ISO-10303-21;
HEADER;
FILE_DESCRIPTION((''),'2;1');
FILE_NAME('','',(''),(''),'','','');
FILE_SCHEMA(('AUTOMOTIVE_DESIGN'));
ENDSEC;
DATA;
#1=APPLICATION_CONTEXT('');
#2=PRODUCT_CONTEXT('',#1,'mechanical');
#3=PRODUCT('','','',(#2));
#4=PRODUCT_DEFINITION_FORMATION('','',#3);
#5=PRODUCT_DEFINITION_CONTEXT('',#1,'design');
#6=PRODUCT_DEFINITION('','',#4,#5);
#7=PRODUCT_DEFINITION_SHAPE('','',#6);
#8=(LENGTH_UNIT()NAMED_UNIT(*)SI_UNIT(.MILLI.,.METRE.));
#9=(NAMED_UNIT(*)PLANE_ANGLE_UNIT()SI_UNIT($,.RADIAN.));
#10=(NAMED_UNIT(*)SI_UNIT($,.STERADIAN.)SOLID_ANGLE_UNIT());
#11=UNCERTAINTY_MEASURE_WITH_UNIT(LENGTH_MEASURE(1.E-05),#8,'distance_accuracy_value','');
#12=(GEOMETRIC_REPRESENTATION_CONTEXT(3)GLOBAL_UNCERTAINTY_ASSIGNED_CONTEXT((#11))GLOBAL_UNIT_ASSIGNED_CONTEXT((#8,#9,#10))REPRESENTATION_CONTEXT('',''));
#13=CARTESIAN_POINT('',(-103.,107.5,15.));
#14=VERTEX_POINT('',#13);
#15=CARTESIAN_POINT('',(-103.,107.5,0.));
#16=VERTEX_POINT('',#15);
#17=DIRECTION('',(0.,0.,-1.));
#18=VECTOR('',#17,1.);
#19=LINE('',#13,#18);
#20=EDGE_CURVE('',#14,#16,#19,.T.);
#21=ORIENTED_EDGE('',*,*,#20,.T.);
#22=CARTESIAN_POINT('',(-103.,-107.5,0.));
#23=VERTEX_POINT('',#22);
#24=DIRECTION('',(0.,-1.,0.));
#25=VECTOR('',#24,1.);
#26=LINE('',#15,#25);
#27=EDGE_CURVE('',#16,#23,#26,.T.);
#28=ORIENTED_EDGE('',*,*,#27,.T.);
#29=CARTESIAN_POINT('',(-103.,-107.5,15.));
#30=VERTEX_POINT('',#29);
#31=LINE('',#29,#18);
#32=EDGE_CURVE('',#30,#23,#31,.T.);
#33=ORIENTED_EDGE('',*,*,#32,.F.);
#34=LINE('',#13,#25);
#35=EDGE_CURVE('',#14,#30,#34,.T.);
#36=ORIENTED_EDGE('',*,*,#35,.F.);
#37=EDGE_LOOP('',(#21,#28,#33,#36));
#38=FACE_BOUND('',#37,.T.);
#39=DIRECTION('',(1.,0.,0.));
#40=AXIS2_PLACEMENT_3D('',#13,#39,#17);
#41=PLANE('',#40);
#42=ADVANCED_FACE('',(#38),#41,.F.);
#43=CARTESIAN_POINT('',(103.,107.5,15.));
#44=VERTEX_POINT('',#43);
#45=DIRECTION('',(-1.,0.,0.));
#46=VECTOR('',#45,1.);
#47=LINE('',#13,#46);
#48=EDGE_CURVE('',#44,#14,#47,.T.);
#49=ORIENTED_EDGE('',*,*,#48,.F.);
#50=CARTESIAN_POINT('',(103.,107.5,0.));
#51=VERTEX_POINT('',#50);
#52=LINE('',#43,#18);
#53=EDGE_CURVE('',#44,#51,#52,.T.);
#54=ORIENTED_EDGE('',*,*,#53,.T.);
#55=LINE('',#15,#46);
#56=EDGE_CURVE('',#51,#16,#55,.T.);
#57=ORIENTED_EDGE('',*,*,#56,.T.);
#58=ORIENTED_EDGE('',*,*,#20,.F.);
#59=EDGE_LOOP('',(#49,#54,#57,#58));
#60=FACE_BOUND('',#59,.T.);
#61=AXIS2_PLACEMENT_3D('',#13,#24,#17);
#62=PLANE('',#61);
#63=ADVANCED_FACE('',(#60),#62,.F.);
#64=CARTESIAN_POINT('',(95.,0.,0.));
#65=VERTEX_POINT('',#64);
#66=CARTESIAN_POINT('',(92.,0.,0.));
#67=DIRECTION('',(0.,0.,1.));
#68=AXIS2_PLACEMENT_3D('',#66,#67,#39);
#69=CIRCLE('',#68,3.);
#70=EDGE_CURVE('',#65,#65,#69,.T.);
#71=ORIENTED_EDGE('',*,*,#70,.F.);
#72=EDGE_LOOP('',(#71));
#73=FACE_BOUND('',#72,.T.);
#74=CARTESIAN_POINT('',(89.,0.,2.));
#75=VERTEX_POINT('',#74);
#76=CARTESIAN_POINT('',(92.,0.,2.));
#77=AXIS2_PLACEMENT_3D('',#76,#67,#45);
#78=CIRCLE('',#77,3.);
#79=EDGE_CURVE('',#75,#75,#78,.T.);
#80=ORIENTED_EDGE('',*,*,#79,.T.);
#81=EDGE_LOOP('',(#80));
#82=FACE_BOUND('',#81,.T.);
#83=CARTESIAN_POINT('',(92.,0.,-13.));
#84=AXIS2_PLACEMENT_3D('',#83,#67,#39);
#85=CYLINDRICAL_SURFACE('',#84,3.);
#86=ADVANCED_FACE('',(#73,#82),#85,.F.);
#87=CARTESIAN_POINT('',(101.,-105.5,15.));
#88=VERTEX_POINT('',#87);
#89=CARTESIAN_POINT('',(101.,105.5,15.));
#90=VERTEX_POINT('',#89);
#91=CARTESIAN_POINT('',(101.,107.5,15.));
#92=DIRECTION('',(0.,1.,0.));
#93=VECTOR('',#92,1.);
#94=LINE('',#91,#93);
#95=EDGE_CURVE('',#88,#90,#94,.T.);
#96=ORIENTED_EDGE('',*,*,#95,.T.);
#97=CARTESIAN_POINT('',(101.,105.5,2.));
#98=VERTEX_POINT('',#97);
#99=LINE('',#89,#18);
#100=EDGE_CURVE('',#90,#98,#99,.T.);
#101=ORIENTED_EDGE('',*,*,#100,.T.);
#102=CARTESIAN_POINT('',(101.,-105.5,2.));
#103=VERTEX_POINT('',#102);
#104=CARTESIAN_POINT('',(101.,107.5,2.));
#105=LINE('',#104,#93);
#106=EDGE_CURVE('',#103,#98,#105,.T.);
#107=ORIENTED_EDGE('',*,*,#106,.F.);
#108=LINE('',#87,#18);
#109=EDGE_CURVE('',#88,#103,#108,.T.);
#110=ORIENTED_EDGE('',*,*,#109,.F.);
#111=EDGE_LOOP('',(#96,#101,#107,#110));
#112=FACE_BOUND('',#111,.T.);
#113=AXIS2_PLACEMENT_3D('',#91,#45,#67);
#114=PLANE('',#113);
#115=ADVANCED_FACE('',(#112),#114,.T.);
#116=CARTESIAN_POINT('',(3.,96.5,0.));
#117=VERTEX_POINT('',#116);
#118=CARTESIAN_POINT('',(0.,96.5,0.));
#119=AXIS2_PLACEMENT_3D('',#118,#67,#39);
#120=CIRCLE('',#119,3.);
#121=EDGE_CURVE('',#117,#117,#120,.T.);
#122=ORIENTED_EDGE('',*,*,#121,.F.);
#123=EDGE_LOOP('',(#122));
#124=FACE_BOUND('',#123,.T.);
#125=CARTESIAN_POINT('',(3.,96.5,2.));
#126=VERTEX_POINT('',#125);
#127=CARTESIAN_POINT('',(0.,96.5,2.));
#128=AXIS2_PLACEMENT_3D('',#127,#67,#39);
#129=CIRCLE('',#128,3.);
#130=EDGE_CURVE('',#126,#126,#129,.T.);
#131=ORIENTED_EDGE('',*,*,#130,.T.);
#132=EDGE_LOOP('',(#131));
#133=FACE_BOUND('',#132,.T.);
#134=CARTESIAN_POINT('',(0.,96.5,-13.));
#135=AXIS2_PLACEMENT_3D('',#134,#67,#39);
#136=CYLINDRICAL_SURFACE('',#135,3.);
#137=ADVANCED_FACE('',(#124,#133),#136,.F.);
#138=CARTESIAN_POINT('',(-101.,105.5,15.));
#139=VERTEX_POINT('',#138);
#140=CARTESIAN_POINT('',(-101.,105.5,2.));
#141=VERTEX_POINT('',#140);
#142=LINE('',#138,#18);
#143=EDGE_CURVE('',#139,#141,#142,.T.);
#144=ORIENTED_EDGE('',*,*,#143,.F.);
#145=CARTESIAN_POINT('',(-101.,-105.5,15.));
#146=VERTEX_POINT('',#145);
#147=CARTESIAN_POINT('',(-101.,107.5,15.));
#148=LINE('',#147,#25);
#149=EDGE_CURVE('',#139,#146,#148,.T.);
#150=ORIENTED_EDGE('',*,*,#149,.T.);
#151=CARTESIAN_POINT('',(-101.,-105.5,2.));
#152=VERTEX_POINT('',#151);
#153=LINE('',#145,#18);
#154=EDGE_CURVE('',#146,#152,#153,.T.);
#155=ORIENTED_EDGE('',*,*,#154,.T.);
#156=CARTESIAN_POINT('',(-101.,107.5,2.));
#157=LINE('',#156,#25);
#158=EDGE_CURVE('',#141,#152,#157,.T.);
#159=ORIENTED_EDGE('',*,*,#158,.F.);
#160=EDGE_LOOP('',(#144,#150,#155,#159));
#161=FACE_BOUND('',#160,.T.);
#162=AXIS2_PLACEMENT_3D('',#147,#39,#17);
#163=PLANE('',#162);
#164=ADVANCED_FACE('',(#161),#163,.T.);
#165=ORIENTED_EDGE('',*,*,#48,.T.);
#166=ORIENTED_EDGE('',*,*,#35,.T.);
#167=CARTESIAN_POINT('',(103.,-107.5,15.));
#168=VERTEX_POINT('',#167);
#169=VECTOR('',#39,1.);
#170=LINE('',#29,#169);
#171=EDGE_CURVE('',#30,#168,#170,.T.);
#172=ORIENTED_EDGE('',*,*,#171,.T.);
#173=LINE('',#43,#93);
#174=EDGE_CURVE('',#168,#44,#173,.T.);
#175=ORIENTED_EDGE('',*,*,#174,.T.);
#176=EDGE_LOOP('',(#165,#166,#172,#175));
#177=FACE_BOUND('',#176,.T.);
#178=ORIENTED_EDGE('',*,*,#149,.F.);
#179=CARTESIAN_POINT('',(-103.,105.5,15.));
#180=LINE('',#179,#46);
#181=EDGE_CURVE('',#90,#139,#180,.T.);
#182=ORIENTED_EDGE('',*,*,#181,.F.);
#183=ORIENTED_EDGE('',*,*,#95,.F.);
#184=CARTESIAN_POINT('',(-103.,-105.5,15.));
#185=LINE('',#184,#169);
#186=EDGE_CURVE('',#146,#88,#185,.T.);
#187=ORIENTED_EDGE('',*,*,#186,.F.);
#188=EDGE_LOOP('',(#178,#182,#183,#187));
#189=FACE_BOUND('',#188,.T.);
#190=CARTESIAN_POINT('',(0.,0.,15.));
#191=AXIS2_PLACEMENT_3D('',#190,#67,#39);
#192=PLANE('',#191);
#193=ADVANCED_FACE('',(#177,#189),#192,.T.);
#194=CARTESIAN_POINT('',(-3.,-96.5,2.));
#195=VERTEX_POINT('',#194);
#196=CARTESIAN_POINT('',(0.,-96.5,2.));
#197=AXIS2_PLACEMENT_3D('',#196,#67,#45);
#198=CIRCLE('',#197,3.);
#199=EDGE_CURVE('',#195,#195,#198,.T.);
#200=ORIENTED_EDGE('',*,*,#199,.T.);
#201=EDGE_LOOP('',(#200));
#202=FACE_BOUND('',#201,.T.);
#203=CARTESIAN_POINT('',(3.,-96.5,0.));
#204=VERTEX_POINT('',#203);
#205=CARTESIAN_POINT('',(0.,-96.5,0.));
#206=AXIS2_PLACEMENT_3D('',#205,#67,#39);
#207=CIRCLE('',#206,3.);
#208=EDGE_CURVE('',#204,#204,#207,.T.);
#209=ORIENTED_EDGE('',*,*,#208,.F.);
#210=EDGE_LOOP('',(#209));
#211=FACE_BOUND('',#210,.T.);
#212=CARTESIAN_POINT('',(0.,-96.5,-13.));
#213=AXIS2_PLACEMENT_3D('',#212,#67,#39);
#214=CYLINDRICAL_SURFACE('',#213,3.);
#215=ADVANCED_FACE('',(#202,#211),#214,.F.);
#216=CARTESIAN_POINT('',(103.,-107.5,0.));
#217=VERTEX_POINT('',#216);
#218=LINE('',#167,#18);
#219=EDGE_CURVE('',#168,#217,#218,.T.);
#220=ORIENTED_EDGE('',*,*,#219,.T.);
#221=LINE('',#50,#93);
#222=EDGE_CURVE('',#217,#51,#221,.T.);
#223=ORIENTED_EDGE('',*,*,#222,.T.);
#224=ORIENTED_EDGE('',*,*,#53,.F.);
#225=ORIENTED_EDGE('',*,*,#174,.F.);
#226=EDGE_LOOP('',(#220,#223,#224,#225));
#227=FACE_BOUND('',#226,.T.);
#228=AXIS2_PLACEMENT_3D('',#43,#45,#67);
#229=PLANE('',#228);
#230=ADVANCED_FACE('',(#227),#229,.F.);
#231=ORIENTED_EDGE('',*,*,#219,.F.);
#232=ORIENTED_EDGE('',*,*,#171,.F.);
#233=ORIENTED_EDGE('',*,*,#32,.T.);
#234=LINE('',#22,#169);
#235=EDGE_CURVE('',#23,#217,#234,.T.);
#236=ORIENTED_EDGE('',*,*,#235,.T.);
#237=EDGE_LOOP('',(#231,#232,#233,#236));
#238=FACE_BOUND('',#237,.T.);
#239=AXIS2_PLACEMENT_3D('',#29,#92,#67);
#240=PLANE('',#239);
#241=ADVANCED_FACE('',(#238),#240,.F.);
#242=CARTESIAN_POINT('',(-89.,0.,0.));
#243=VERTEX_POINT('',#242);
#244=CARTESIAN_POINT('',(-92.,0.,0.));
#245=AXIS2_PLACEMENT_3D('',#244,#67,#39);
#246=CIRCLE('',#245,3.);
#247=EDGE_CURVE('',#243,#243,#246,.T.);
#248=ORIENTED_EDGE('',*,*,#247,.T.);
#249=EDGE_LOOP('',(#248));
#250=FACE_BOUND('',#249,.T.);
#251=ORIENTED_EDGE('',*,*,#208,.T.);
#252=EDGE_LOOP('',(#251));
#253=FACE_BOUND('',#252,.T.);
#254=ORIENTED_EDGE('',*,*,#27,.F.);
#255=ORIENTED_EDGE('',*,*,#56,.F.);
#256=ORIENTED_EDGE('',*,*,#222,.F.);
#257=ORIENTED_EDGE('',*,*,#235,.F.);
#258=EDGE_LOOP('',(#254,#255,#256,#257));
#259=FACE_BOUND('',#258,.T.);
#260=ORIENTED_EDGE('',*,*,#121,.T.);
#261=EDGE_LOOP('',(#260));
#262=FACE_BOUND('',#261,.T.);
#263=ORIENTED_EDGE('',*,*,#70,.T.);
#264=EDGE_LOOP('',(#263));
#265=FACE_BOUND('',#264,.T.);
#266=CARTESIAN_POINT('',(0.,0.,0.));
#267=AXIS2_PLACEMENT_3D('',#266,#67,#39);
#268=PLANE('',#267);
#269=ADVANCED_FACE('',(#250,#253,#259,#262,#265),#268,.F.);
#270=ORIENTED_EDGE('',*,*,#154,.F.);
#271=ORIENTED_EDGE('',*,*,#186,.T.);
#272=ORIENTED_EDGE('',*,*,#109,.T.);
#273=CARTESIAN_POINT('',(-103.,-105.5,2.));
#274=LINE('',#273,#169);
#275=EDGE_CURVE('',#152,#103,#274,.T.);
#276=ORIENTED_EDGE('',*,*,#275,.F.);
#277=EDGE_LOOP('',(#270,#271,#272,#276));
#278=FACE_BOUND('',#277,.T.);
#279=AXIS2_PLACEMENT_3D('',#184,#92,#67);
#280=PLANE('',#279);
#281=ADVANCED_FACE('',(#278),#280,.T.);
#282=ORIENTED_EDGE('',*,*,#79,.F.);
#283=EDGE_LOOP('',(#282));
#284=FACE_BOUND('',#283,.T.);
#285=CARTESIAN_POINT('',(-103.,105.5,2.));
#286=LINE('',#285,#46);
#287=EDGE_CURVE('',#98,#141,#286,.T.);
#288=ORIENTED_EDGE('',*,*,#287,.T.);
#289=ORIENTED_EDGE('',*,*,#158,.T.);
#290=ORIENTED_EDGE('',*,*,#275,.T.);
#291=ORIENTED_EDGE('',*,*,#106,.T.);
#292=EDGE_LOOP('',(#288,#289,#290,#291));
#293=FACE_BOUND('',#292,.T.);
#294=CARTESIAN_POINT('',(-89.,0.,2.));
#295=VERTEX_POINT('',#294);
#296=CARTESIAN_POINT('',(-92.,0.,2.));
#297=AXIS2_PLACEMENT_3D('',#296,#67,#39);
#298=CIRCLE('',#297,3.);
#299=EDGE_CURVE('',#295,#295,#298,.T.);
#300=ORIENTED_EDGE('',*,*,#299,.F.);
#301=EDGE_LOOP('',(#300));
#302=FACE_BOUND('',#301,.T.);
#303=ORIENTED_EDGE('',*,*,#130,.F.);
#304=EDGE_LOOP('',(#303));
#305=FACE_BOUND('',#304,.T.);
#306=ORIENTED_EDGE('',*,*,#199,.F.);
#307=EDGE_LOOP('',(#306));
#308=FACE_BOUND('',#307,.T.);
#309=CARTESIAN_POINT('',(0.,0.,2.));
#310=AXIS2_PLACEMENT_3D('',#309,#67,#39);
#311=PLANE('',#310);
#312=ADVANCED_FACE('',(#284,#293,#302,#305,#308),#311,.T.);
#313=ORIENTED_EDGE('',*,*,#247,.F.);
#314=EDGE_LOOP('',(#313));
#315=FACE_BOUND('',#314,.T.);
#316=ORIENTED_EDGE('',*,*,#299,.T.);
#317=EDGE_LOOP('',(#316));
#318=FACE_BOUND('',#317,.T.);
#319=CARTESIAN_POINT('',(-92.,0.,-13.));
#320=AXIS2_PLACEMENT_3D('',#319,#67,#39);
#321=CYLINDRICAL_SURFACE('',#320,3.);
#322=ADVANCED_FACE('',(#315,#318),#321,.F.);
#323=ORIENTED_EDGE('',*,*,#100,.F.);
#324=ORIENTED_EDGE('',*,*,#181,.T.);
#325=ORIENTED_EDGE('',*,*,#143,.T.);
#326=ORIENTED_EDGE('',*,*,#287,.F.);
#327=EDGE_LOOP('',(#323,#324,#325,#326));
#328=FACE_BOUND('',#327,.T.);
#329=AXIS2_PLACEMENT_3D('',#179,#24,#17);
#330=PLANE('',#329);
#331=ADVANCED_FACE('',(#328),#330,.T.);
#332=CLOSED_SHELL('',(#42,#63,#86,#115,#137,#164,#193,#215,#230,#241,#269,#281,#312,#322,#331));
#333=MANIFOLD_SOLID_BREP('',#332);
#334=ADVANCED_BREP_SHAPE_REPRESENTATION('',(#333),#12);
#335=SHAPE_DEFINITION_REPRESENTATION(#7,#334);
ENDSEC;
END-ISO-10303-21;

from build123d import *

# Parameters (mm, degrees)
SKETCH_1_W          = 206
SKETCH_1_H          = 215
EXTRUDE_1_DEPTH     = 15
SHELL_1_T           = -2
SKETCH_2_R          = 3
CUT_EXTRUDE_1_DEPTH = 15


with BuildPart() as part:
    # 草图1 → 凸台-拉伸1 (new body)
    with BuildSketch(Plane.XY):
        Rectangle(SKETCH_1_W, SKETCH_1_H)
    extrude(amount=EXTRUDE_1_DEPTH)

    # 抽壳1
    shell_1_openings = [part.faces().sort_by_distance(p)[0] for p in [
        (0, 0, 15),
    ]]
    offset(amount=SHELL_1_T, openings=shell_1_openings, kind=Kind.INTERSECTION)

    # 草图2 → 切除-拉伸1 (cut)
    with BuildSketch(Plane.XY.offset(2)):
        with Locations((-92, 0)):
            Circle(SKETCH_2_R)
        with Locations((0, 96.5)):
            Circle(SKETCH_2_R)
        with Locations((92, 0)):
            Circle(SKETCH_2_R)
        with Locations((0, -96.5)):
            Circle(SKETCH_2_R)
    extrude(amount=-CUT_EXTRUDE_1_DEPTH, mode=Mode.SUBTRACT)


solid = part.part
